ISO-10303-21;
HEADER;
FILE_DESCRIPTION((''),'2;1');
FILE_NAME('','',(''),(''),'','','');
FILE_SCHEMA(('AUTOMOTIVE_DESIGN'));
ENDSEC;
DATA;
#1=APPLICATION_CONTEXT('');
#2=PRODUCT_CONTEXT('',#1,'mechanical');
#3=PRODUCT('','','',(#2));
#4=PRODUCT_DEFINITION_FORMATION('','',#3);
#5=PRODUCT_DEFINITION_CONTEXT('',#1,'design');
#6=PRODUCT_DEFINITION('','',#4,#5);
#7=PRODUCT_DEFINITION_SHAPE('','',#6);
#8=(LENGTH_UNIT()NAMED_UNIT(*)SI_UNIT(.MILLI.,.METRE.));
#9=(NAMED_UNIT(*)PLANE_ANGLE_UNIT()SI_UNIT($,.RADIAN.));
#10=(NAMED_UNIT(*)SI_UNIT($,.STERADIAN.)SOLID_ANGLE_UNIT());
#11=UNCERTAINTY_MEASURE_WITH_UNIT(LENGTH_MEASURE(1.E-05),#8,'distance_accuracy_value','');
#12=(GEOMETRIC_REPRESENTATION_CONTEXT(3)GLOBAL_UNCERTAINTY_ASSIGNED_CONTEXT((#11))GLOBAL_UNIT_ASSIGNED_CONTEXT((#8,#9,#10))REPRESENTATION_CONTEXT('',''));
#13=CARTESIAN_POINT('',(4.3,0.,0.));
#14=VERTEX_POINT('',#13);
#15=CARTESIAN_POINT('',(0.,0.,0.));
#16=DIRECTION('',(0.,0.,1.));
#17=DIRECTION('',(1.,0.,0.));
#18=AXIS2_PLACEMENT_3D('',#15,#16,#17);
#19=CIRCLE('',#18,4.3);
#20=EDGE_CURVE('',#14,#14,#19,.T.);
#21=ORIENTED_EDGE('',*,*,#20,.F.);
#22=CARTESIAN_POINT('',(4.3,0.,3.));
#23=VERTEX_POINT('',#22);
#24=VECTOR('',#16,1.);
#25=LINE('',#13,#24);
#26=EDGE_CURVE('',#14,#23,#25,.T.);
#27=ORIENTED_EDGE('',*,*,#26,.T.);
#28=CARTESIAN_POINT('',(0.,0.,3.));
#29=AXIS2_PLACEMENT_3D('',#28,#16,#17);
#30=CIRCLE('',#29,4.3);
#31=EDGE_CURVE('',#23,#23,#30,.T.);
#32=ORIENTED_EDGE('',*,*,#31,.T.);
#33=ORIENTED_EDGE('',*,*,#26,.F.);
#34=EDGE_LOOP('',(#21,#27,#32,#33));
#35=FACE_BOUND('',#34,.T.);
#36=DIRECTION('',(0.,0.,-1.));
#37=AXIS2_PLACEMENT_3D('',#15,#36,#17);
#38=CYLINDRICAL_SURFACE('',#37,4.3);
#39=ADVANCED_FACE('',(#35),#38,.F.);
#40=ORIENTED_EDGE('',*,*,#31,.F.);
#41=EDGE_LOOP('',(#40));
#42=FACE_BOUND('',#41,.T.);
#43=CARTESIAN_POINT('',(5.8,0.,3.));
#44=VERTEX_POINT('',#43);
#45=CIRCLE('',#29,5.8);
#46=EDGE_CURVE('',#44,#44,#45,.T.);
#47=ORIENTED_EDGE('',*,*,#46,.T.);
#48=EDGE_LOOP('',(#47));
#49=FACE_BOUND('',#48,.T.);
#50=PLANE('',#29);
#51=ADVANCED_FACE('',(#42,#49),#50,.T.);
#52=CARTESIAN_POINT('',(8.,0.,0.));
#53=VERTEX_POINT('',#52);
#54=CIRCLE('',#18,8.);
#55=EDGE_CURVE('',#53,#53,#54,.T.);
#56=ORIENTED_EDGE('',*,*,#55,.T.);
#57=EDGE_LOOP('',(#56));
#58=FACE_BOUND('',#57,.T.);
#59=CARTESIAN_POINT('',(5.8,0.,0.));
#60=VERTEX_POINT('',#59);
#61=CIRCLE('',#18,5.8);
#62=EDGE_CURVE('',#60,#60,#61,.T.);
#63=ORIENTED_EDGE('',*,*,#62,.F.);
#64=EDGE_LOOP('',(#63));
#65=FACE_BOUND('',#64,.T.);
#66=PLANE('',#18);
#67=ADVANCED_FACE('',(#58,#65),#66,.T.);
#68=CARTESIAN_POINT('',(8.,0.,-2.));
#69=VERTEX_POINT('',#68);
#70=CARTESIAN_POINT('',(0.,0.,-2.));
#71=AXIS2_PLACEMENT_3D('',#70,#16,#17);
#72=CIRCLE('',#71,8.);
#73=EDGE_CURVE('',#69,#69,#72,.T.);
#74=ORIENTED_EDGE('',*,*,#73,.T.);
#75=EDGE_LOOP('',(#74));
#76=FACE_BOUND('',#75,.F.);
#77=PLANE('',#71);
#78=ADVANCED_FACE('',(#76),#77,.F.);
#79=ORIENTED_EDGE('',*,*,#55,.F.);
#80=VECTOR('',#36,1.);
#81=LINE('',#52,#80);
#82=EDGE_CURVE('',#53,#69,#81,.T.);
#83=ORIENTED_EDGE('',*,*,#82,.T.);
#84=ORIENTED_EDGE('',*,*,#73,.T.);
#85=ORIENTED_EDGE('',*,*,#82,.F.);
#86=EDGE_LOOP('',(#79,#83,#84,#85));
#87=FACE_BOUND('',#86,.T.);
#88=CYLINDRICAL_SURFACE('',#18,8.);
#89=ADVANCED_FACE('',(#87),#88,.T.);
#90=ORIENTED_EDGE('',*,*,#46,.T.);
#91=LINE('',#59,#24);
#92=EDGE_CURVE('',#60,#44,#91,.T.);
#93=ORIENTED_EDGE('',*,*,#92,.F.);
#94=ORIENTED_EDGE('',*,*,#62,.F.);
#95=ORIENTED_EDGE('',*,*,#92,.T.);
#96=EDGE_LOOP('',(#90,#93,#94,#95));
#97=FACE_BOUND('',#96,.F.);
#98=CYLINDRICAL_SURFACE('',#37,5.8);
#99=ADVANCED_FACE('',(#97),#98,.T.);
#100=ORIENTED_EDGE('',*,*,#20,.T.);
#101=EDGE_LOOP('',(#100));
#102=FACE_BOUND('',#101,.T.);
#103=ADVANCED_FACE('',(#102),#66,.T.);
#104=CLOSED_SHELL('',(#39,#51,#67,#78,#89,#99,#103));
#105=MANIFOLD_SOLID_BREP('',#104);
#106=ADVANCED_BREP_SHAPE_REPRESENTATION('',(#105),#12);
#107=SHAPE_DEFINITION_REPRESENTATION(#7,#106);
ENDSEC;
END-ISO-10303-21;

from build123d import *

# Parameters (mm, degrees)
F0_R     = 5.8
F0_R_2   = 4.3
F1_DEPTH = 3
F0_R_3   = 8
F2_DEPTH = 2


with BuildPart() as f1:
    # F0 (on Top) → F1 (new body)
    with BuildSketch(Plane.XY):
        Circle(F0_R)
        Circle(F0_R_2, mode=Mode.SUBTRACT)
    extrude(amount=F1_DEPTH)

    # F0 (on Top) → F2 (join)
    with BuildSketch(Plane.XY):
        Circle(F0_R_3)
        Circle(F0_R, mode=Mode.SUBTRACT)
        Circle(F0_R)
        Circle(F0_R_2, mode=Mode.SUBTRACT)
        Circle(F0_R_2)
    extrude(amount=-F2_DEPTH)


solid = f1.part
